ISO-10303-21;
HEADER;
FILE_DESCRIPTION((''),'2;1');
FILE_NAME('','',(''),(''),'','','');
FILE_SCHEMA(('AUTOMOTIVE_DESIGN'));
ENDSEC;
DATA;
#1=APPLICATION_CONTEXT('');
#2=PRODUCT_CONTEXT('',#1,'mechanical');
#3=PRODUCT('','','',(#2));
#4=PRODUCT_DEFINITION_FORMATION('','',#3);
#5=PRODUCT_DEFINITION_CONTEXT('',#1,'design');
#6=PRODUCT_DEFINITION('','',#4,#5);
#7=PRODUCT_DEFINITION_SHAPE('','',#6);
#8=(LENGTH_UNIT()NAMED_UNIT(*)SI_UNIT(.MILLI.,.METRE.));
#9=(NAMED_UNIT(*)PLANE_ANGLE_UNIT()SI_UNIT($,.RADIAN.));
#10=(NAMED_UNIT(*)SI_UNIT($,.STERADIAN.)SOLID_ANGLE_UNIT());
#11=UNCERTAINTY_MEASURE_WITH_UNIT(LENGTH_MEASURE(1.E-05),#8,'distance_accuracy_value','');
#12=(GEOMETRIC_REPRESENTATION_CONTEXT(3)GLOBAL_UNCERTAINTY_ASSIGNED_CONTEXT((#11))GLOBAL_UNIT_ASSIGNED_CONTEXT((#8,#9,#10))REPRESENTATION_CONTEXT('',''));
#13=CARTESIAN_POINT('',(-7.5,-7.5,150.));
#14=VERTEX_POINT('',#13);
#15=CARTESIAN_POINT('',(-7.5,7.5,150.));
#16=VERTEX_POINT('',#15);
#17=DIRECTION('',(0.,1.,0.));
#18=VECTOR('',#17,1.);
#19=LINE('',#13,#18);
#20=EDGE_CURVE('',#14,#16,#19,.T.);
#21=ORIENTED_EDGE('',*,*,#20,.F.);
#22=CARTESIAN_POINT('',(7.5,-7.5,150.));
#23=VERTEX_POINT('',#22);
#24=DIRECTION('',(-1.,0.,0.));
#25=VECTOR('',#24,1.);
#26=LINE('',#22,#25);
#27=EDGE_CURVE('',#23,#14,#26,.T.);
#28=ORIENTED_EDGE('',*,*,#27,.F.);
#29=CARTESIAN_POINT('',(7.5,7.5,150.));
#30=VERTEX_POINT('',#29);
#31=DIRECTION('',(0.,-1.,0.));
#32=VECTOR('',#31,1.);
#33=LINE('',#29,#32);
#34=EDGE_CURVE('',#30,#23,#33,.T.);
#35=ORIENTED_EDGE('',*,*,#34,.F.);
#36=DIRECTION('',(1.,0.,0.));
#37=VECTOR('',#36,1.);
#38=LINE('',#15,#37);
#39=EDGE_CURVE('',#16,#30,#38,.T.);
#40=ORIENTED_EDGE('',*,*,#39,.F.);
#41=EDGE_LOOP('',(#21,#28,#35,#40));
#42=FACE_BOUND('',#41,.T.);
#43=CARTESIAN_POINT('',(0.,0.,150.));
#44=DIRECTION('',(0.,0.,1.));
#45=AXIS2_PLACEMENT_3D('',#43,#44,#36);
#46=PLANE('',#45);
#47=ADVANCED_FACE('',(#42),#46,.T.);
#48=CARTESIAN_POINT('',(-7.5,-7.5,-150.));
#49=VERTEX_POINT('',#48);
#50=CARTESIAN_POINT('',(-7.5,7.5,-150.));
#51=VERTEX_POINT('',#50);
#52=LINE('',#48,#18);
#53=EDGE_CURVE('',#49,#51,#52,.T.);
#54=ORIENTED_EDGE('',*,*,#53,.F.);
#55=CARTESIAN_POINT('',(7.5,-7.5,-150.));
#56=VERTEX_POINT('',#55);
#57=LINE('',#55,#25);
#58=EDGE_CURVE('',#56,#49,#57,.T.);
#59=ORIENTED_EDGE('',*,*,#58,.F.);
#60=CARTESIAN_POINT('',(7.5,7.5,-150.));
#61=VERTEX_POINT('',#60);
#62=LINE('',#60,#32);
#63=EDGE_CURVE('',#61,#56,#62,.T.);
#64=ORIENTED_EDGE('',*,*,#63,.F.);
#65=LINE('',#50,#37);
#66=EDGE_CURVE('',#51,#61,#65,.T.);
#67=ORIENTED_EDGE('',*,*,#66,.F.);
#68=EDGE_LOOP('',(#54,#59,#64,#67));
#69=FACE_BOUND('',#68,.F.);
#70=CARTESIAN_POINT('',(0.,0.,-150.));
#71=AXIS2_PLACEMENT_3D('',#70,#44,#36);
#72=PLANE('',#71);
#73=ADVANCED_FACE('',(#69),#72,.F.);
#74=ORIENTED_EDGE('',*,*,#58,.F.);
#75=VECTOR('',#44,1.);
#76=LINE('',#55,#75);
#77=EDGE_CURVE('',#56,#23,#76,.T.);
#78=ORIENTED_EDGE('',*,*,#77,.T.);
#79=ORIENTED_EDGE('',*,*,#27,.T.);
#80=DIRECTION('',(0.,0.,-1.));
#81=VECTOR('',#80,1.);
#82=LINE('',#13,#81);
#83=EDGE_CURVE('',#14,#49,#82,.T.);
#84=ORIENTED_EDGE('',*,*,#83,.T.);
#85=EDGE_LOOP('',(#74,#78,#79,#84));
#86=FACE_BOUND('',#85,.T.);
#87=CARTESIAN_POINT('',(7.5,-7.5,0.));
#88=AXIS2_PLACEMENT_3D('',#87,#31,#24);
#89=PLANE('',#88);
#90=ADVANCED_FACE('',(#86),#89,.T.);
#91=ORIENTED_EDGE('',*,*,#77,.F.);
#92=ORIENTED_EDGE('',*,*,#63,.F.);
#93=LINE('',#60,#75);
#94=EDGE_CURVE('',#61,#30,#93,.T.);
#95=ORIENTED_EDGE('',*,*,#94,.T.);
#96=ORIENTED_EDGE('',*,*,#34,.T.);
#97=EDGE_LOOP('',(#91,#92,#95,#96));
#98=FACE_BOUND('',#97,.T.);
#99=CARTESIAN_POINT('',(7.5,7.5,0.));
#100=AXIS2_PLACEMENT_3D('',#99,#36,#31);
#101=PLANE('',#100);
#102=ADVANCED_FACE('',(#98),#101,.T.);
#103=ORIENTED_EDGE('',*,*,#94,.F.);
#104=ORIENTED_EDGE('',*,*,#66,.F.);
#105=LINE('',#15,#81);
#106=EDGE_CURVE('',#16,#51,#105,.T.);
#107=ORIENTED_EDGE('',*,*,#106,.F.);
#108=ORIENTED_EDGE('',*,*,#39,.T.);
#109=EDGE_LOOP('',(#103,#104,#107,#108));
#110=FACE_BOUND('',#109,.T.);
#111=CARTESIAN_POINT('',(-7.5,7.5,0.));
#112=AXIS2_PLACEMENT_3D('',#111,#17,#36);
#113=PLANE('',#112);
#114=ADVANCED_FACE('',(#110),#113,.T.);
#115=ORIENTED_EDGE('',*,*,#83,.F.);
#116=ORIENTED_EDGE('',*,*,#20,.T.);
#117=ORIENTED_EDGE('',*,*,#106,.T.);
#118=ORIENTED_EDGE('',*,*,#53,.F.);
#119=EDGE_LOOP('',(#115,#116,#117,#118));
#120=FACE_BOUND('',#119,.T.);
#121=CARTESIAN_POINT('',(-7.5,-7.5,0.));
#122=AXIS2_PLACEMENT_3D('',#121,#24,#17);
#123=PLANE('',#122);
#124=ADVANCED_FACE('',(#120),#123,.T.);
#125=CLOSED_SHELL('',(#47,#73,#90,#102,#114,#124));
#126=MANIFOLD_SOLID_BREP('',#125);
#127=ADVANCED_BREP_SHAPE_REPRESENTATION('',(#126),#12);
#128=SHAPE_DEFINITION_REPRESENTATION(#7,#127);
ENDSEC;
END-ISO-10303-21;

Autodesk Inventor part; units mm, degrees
ref_plane "YZ Plane" through (0, 0, 0) normal (1, 0, 0) x (0, 1, 0)
ref_plane "XZ Plane" through (0, 0, 0) normal (0, 1, 0) x (-1, 0, 0)
ref_plane "XY Plane" through (0, 0, 0) normal (0, 0, 1) x (1, 0, 0)
sketch "Sketch1" plane through (0, 0, 0) normal (0, 0, 1) x (1, 0, 0)
  line L0 (7.5, -7.5) -> (-7.5, -7.5)
  line L1 (-7.5, -7.5) -> (-7.5, 7.5)
  line L2 (-7.5, 7.5) -> (7.5, 7.5)
  line L3 (7.5, 7.5) -> (7.5, -7.5)
  line L4 (7.5, -7.5) -> (-7.5, 7.5) construction
  line L5 (-7.5, -7.5) -> (7.5, 7.5) construction
  point P0 (0, 0)
  dimension "d0" = 15
  dimension "d1" = 15
extrude "Extrusion1" add sketch "Sketch1" along normal mid plane 300
equation "\"d1\" = d0"
properties part number "GBX_010.1-latje_15x15x300"
